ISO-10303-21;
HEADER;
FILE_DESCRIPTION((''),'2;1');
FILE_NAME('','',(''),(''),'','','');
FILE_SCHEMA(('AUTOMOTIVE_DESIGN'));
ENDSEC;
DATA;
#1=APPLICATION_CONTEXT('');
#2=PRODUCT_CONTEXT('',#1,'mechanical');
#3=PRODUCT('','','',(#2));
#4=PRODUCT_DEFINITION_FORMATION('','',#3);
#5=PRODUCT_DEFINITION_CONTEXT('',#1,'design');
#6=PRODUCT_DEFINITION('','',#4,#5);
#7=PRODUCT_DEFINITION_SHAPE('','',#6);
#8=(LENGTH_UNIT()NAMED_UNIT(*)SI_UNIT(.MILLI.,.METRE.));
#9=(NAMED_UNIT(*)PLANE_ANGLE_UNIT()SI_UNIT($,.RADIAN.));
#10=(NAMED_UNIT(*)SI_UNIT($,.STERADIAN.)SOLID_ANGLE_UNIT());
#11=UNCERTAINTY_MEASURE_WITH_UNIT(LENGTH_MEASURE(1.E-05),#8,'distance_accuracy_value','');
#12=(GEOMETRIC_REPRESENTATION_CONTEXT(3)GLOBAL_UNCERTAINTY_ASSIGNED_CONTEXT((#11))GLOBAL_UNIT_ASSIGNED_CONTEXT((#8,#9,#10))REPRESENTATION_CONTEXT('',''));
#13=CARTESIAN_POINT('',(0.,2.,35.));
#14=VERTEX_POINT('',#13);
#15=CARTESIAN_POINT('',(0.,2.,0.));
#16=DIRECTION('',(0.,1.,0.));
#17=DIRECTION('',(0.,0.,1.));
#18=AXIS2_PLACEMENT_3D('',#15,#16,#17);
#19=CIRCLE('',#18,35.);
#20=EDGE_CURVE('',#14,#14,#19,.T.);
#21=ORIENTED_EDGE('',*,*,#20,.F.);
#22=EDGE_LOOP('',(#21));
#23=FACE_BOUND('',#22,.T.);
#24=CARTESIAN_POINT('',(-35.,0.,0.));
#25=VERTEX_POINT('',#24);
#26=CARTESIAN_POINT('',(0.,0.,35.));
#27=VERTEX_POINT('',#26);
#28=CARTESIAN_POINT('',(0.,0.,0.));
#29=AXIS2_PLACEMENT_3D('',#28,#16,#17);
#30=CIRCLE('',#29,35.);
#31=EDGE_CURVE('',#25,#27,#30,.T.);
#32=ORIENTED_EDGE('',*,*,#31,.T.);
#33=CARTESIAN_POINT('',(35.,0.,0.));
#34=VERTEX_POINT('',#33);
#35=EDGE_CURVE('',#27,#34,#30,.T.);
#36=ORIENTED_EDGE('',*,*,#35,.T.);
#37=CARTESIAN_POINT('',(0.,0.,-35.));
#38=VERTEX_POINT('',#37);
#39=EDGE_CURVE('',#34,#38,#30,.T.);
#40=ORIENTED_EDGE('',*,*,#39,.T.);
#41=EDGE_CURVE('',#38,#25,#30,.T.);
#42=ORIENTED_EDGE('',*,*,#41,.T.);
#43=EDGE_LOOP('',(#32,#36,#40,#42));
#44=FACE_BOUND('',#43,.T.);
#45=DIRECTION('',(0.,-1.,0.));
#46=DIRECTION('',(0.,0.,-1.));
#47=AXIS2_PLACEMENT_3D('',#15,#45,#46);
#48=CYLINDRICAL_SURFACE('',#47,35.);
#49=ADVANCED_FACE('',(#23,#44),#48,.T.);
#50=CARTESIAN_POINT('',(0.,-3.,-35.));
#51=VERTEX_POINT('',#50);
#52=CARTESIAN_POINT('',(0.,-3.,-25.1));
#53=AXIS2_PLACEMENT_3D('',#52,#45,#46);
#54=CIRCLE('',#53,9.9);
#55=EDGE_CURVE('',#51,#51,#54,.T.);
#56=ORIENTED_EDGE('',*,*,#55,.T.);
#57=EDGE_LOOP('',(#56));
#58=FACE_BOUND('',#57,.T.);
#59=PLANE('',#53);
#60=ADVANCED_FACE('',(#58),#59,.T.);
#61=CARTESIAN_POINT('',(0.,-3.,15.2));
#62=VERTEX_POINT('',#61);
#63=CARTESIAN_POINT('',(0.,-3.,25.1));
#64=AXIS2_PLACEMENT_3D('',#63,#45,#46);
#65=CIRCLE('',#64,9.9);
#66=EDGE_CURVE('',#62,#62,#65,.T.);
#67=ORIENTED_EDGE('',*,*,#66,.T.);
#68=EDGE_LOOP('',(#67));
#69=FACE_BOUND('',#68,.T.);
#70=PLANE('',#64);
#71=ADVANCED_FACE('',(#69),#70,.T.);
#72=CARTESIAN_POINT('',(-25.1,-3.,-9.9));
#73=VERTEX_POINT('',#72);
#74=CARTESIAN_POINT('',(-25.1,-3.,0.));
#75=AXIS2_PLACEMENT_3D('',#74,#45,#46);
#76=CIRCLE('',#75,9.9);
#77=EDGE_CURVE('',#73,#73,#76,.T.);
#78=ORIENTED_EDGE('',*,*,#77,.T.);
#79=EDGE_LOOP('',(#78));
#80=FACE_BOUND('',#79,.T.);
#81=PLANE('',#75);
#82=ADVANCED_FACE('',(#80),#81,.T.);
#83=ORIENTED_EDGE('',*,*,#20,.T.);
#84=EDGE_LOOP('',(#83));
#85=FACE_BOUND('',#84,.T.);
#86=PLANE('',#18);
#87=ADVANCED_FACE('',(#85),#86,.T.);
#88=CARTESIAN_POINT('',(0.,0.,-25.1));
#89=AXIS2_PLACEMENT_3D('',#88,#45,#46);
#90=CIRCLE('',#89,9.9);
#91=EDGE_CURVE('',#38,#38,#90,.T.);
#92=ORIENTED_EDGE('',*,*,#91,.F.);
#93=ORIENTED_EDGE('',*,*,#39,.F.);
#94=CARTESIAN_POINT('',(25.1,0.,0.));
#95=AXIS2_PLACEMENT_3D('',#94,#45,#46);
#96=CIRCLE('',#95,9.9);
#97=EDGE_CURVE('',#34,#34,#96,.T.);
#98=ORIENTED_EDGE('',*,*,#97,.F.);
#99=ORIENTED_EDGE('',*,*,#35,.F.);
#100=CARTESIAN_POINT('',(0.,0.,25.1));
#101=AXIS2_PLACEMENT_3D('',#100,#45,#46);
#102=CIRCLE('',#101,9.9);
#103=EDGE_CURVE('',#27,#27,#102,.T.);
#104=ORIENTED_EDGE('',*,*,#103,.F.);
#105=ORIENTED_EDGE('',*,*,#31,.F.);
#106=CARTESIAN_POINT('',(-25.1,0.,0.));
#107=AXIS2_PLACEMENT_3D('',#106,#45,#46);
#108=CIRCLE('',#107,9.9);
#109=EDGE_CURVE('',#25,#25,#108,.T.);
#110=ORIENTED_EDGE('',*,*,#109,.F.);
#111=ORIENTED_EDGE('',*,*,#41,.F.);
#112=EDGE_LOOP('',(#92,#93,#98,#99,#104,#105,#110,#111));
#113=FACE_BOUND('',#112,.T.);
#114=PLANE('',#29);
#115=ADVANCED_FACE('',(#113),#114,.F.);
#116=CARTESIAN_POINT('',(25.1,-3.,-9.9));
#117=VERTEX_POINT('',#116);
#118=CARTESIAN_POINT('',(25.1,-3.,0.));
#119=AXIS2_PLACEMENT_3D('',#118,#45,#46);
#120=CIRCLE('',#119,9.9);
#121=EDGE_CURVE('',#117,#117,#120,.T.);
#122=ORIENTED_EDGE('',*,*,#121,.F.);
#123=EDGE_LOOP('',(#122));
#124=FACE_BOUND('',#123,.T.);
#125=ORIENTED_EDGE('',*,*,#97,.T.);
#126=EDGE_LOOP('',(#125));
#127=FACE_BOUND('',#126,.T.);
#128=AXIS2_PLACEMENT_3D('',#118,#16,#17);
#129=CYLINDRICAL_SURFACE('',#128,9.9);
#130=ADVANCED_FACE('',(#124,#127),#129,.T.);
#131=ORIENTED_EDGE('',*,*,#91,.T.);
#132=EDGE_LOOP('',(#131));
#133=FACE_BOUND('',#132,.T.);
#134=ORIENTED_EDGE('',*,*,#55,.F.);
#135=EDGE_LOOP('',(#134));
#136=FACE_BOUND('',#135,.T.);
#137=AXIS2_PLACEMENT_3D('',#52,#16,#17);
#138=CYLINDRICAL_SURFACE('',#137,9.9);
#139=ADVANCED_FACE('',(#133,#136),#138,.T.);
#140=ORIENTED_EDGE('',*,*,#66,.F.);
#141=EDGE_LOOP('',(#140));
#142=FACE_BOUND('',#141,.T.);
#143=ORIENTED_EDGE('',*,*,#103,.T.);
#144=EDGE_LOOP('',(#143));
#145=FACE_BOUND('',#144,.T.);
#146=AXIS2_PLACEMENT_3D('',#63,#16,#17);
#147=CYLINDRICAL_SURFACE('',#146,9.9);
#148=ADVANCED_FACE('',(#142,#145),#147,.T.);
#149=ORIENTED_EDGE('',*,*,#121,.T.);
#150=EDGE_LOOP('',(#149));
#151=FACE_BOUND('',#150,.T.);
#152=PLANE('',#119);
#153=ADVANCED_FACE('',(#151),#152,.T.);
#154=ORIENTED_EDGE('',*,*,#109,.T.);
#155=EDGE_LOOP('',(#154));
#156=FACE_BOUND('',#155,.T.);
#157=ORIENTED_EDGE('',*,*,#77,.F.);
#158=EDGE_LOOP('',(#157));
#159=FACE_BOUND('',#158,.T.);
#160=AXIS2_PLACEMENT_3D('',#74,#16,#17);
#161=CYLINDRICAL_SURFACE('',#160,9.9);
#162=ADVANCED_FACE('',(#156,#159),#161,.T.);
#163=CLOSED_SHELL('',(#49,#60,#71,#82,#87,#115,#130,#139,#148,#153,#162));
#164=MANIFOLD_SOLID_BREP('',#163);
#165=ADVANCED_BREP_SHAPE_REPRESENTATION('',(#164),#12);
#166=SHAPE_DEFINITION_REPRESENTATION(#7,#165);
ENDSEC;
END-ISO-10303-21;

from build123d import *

# Parameters (mm, degrees)
SKETCH1_R           = 35
BOSS_EXTRUDE1_DEPTH = 2
SKETCH3_R           = 9.9
BOSS_EXTRUDE2_DEPTH = 3


with BuildPart() as part:
    # Sketch1 → Boss-Extrude1 (new body)
    with BuildSketch(Plane(origin=(0, 0, 0), x_dir=(1, 0, 0), z_dir=(0, 1, 0))):
        Circle(SKETCH1_R)
    extrude(amount=BOSS_EXTRUDE1_DEPTH)

    # Sketch3 → Boss-Extrude2 (add)
    with BuildSketch(Plane.XZ):
        with Locations((25.1, 0)):
            Circle(SKETCH3_R)
        with Locations((0, -25.1)):
            Circle(SKETCH3_R)
        with Locations((-25.1, 0)):
            Circle(SKETCH3_R)
        with Locations((0, 25.1)):
            Circle(SKETCH3_R)
    extrude(amount=BOSS_EXTRUDE2_DEPTH)


solid = part.part
